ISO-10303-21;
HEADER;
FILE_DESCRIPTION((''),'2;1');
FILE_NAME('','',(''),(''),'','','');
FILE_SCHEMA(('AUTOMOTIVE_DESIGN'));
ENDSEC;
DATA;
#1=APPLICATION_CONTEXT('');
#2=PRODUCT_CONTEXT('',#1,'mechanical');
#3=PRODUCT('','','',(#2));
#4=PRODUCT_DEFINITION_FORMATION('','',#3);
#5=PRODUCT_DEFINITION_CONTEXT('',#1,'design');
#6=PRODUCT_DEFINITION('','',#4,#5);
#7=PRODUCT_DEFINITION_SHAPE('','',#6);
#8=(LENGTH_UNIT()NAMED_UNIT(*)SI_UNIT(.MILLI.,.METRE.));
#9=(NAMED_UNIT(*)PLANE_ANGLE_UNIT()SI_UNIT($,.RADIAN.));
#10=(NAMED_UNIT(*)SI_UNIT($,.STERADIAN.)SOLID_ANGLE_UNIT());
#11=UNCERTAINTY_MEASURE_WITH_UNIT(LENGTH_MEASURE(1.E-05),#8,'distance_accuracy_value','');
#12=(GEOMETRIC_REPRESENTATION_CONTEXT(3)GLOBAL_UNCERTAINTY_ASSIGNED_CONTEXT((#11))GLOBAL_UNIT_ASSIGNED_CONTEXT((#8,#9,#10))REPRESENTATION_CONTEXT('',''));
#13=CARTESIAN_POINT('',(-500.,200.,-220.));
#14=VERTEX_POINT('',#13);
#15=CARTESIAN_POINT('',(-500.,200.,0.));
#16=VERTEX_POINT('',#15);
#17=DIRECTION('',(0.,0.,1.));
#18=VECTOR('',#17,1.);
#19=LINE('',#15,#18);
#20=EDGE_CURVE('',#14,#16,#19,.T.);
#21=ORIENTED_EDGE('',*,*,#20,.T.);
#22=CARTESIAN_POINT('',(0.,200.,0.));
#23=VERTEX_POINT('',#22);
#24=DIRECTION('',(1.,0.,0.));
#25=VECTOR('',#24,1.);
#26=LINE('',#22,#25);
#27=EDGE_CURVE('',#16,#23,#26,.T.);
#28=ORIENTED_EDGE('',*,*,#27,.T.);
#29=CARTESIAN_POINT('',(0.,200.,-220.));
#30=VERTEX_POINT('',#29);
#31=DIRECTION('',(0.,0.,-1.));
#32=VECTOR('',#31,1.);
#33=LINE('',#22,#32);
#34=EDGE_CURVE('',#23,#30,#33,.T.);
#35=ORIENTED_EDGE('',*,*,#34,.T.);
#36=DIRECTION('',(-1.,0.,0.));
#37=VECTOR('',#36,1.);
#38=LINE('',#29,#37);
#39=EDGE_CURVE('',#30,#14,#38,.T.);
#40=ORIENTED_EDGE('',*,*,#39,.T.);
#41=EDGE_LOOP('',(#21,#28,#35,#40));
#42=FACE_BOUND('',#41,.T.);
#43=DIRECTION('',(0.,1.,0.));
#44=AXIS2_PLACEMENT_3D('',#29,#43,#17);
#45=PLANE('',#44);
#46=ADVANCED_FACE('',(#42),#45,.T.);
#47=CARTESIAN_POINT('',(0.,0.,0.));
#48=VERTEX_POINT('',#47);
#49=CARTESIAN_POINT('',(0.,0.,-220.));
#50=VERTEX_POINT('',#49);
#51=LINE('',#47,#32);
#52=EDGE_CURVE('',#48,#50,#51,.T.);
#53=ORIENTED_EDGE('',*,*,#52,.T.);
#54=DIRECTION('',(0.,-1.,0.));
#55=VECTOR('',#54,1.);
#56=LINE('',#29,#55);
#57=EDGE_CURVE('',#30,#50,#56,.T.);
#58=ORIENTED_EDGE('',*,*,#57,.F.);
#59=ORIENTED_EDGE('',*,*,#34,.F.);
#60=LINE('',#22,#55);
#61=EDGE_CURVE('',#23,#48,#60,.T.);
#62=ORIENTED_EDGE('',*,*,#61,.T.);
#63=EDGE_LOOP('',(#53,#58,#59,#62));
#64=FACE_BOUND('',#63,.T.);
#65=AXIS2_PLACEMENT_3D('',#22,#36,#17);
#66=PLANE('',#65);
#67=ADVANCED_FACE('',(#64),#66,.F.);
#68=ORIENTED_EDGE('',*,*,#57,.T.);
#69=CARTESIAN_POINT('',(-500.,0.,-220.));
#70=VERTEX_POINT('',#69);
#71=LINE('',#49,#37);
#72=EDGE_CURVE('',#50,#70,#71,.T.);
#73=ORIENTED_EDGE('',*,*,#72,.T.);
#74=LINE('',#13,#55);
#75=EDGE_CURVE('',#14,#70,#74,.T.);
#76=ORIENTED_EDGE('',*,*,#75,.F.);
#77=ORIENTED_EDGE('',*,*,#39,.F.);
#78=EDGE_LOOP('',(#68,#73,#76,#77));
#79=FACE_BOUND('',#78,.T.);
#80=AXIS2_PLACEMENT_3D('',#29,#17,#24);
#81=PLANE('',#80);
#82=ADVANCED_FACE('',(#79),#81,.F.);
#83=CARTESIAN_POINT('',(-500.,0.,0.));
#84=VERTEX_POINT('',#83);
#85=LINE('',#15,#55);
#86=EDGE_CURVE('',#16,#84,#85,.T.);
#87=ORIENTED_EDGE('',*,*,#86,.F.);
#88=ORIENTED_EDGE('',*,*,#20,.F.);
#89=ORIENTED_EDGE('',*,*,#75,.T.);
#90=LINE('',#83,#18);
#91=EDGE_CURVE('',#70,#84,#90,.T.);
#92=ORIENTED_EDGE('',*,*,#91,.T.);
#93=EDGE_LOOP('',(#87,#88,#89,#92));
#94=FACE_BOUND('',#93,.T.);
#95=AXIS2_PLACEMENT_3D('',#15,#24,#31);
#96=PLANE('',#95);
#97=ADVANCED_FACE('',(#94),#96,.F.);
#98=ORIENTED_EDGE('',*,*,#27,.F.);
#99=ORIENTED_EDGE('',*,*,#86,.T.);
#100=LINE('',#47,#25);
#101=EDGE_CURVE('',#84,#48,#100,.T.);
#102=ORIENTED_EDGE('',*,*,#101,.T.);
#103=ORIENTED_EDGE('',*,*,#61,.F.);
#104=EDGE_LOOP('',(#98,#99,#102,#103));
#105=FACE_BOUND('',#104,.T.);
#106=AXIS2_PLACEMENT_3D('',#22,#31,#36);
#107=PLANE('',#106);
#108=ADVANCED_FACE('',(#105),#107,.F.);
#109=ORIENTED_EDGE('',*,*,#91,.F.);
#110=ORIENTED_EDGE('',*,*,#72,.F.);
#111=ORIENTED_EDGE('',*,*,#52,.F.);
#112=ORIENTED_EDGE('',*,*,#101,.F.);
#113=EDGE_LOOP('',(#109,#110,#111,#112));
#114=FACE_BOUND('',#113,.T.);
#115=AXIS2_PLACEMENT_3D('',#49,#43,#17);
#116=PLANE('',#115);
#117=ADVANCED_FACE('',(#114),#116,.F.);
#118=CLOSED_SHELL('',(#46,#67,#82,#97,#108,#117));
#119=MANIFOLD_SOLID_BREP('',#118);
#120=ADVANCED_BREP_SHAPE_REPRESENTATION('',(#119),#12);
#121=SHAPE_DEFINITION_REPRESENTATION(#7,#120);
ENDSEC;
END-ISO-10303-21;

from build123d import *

# Parameters (mm, degrees)
SKETCH1_W      = 500
SKETCH1_H      = 220
EXTRUDE1_DEPTH = 200


with BuildPart() as part:
    # Sketch1 → Extrude1 (new body)
    with BuildSketch(Plane(origin=(0, 0, 0), x_dir=(1, 0, 0), z_dir=(0, 1, 0))):
        with Locations((-250, 110)):
            Rectangle(SKETCH1_W, SKETCH1_H)
    extrude(amount=EXTRUDE1_DEPTH)


solid = part.part
